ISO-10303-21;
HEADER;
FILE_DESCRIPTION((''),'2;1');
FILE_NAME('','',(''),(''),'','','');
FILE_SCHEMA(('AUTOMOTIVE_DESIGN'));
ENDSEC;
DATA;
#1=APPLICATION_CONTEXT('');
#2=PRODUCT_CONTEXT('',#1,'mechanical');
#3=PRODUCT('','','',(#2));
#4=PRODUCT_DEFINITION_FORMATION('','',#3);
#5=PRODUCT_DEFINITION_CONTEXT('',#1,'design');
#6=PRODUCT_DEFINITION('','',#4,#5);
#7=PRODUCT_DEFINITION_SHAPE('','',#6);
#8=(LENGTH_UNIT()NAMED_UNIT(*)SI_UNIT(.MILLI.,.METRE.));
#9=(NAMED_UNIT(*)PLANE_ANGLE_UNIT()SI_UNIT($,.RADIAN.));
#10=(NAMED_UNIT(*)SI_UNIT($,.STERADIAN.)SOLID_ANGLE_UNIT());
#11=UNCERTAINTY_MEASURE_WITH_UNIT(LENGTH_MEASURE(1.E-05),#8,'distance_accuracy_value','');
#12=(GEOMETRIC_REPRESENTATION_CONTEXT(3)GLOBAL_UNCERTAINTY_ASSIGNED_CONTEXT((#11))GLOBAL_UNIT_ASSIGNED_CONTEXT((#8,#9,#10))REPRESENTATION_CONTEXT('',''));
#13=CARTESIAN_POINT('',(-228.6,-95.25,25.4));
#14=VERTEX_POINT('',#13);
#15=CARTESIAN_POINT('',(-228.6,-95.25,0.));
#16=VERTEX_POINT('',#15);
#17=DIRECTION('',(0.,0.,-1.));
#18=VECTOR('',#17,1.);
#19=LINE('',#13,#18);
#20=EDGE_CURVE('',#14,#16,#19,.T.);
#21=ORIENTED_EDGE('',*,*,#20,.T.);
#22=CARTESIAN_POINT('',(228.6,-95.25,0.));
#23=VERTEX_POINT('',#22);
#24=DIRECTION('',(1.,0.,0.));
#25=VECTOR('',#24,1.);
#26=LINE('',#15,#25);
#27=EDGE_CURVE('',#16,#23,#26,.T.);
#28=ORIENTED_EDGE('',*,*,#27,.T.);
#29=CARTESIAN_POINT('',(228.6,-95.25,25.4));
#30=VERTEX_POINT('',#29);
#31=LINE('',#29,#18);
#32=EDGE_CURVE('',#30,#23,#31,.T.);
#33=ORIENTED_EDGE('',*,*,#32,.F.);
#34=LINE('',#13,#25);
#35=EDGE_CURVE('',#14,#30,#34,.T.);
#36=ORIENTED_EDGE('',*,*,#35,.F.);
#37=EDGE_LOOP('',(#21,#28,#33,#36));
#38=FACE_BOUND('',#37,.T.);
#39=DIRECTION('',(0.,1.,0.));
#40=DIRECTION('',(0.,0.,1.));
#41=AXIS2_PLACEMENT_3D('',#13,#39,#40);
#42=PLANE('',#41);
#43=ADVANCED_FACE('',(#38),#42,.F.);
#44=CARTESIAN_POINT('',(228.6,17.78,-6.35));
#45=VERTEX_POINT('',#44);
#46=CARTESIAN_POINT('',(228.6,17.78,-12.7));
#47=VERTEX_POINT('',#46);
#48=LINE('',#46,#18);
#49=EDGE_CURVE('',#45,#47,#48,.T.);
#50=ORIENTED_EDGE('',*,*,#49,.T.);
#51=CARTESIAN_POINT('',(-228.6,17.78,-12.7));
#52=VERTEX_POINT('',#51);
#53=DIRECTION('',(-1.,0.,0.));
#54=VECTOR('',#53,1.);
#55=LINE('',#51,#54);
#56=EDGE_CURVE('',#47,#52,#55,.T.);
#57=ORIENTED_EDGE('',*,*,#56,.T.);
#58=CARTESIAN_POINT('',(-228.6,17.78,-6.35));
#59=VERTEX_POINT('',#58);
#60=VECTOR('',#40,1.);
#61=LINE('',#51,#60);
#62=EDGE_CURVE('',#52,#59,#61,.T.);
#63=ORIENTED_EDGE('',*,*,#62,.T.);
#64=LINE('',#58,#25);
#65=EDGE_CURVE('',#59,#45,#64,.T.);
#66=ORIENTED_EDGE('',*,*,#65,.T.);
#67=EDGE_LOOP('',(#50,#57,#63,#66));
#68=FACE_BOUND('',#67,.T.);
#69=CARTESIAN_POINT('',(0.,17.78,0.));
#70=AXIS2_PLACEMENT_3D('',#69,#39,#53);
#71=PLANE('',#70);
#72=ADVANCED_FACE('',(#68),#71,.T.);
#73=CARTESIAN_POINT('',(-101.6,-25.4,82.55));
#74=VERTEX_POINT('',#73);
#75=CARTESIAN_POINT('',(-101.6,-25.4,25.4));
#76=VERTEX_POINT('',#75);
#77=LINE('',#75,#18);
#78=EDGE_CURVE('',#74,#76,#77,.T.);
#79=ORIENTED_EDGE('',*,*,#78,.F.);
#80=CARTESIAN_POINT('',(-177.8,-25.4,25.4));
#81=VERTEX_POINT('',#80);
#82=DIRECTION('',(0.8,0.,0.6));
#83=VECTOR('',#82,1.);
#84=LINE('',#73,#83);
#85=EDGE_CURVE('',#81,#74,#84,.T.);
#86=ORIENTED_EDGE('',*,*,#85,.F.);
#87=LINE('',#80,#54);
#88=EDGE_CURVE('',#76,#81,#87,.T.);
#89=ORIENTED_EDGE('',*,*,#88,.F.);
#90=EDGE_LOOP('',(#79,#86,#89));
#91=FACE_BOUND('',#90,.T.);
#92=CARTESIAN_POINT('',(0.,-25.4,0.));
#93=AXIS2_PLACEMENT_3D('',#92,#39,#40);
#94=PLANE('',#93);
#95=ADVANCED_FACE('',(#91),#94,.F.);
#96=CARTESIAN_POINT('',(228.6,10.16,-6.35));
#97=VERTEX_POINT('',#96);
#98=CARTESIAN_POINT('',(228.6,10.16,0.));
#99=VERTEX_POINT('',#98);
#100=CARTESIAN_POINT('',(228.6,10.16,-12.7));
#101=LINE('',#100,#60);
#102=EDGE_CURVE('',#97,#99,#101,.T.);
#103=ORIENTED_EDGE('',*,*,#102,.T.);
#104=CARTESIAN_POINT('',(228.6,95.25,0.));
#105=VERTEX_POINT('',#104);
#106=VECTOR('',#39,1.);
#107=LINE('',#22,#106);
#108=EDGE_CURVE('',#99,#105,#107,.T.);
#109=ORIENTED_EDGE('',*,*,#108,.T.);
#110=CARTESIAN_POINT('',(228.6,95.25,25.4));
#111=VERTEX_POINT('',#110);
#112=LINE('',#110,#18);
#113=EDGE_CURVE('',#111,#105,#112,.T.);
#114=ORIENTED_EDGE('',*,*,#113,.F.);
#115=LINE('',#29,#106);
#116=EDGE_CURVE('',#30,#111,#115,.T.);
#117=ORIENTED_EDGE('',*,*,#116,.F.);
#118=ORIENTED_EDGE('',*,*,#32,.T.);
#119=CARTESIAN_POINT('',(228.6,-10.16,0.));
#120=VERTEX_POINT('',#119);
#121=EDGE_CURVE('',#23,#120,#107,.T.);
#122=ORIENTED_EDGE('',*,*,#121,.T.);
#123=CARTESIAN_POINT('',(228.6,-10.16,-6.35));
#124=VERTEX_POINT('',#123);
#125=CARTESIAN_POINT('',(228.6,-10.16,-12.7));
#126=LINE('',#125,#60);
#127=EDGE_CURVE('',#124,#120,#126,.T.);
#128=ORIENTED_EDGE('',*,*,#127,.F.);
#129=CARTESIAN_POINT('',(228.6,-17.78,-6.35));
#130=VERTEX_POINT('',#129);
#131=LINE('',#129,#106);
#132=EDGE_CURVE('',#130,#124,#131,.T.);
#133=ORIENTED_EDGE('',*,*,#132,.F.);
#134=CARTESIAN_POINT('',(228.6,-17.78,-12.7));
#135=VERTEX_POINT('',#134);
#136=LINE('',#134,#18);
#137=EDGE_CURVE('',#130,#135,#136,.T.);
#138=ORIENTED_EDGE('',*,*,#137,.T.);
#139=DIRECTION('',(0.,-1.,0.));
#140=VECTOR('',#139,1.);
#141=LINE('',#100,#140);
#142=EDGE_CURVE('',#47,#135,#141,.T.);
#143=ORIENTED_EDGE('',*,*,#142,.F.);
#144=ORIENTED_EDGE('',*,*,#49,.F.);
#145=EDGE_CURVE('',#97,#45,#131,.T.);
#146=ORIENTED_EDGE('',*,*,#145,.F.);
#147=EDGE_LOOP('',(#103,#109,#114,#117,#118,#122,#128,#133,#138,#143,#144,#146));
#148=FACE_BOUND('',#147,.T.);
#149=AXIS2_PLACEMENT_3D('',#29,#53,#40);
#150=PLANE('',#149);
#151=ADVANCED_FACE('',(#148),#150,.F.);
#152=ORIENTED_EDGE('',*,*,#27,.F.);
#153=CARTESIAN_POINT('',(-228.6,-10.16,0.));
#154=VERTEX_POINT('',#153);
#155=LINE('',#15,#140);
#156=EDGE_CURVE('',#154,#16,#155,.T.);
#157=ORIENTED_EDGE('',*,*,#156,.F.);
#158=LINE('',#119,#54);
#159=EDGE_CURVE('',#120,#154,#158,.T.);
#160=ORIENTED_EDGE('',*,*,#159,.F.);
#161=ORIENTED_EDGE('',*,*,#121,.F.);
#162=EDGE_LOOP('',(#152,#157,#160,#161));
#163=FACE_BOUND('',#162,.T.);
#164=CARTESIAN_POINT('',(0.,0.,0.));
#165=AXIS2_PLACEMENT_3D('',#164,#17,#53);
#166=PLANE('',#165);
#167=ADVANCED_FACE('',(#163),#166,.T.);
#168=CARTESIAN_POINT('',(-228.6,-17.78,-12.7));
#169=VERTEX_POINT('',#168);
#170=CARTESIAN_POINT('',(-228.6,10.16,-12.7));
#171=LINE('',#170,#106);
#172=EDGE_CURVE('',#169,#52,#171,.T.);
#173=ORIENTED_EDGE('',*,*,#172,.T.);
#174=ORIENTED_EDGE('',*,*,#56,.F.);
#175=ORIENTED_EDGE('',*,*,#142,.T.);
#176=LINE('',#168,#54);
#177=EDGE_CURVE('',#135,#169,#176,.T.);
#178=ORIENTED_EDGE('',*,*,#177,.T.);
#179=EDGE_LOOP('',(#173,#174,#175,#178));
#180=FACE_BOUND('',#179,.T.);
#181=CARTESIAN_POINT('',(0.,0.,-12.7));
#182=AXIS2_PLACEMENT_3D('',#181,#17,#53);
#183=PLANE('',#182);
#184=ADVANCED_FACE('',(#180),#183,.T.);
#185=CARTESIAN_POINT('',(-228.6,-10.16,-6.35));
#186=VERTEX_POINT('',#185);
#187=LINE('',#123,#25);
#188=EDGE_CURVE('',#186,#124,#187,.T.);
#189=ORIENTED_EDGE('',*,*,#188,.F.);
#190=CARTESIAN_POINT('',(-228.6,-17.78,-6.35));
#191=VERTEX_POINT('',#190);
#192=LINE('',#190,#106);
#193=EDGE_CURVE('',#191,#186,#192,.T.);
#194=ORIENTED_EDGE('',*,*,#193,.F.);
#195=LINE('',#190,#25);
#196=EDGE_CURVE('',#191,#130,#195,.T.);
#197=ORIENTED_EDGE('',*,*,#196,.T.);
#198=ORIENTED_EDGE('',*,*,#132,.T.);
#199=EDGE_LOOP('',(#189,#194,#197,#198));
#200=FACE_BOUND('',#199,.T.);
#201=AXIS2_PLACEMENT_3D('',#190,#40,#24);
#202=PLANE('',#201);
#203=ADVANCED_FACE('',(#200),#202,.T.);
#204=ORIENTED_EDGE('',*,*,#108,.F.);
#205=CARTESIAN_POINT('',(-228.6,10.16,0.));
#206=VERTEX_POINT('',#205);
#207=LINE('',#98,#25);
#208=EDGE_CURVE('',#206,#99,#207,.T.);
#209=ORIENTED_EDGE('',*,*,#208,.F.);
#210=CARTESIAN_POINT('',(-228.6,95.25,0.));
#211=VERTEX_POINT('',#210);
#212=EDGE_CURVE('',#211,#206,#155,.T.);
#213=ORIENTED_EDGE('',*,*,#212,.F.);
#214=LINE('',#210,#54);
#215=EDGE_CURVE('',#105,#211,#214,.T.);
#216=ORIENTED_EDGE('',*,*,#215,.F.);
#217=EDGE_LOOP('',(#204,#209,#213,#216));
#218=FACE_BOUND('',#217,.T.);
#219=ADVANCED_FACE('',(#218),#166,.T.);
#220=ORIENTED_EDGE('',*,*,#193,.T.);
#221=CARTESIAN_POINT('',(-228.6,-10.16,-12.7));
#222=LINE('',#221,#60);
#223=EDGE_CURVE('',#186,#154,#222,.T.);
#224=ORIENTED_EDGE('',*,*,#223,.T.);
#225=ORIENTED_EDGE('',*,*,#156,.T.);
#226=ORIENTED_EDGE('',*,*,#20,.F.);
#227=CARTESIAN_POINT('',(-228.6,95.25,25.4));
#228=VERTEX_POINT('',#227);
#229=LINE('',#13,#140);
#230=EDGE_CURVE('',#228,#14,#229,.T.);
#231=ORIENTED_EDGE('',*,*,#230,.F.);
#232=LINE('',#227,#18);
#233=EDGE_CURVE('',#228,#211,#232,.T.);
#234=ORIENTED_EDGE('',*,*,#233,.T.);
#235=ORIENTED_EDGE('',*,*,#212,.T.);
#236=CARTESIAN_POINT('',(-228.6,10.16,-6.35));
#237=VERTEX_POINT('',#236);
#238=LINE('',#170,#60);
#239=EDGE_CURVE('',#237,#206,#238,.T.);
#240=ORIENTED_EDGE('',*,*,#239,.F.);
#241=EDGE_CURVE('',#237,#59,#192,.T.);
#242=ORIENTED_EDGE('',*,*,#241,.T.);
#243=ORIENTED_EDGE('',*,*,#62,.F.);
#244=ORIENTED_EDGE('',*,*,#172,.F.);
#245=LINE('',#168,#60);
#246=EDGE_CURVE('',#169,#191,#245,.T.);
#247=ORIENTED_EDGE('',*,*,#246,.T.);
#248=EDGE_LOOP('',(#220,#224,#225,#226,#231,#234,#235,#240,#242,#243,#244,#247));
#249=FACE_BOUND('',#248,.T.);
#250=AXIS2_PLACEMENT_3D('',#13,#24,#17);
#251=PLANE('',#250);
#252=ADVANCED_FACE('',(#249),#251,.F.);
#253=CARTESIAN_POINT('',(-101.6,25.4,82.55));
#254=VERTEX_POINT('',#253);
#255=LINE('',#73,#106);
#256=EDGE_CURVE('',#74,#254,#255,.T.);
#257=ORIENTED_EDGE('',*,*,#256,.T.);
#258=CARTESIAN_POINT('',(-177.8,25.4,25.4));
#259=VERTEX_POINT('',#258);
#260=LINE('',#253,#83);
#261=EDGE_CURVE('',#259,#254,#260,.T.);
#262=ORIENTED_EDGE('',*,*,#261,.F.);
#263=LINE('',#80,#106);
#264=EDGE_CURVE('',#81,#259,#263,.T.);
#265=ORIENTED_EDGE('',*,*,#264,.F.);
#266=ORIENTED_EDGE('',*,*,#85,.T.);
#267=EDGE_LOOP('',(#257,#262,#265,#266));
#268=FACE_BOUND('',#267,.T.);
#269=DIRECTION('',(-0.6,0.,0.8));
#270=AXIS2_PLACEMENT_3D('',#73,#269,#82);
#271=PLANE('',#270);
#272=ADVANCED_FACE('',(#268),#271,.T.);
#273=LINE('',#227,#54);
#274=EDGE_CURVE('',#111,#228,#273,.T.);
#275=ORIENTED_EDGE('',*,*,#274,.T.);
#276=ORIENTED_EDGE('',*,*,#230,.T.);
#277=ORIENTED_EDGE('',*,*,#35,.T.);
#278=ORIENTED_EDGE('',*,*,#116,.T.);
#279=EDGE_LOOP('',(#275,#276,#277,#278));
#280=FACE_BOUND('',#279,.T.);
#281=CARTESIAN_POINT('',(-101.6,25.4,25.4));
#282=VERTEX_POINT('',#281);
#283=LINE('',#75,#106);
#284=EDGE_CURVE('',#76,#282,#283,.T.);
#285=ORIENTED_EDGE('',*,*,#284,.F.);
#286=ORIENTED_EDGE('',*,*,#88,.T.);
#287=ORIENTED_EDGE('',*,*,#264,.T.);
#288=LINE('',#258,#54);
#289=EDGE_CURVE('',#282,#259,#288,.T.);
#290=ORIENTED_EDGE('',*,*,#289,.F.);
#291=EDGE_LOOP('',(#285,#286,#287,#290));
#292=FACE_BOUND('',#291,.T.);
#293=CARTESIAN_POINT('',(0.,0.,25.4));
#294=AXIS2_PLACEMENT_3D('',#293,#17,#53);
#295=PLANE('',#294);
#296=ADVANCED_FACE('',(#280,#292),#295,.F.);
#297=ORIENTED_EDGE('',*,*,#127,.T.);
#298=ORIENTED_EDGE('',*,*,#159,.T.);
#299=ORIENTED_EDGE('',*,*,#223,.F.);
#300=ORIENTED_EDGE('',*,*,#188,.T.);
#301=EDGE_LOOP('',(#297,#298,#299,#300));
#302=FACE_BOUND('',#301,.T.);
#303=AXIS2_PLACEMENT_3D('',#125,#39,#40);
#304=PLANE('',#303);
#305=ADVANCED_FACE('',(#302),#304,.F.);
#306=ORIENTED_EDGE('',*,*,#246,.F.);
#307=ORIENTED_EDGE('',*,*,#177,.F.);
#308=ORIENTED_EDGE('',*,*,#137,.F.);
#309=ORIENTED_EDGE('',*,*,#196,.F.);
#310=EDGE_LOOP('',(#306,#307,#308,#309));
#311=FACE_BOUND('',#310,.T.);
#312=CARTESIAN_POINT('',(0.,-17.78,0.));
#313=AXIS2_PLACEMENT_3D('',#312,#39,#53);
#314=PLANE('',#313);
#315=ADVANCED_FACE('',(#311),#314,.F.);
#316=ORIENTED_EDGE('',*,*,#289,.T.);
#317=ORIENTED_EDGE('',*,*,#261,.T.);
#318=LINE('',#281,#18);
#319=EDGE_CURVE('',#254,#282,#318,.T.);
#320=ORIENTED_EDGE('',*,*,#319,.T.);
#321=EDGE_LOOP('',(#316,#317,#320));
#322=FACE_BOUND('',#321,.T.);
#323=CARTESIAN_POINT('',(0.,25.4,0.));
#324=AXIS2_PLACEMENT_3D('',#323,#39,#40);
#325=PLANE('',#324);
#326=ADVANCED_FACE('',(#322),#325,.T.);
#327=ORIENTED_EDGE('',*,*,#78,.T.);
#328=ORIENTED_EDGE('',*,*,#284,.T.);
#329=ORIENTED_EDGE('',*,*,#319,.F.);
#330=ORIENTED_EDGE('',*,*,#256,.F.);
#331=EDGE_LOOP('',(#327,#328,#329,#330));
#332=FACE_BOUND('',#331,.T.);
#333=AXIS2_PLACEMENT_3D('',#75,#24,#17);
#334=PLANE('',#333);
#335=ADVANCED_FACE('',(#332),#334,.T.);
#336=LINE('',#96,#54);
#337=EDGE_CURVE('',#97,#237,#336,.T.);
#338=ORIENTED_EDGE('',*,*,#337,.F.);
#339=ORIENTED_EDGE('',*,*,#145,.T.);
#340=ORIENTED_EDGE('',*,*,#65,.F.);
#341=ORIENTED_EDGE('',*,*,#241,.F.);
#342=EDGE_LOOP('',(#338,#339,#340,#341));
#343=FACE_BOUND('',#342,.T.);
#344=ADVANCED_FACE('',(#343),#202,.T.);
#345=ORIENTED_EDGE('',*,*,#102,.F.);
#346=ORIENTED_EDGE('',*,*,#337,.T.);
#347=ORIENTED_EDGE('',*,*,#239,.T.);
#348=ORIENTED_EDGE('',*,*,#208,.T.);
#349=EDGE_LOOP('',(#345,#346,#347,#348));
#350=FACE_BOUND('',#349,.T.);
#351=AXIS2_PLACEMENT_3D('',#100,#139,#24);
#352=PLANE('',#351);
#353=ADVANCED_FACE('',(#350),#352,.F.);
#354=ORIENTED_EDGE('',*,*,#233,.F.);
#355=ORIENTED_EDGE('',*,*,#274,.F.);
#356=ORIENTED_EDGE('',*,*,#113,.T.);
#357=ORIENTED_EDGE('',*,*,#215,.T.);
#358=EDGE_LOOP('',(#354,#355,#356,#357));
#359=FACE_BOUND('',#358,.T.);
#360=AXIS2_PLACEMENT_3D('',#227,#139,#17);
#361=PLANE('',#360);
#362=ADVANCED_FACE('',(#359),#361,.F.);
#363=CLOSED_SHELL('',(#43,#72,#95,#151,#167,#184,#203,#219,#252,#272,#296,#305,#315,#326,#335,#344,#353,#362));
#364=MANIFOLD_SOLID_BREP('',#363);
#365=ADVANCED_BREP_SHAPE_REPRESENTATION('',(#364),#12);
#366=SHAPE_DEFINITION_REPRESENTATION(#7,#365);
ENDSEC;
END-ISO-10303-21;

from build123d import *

# Parameters (mm, degrees)
SKETCH1_W                = 457.2
SKETCH1_H                = 190.5
BOSS_EXTRUDE1_DEPTH      = 25.4
SKETCH2_W                = 457.2
SKETCH2_H                = 20.32
BOSS_EXTRUDE2_DEPTH      = 12.7
BOSS_EXTRUDE3_DEPTH      = 7.62
BOSS_EXTRUDE3_DEPTH_BACK = 27.94
SKETCH3_W                = 457.2
SKETCH3_H                = 6.35
BOSS_EXTRUDE5_DEPTH      = 25.4
BOSS_EXTRUDE5_DEPTH_BACK = 25.4


with BuildPart() as part:
    # Sketch1 → Boss-Extrude1 (new body)
    with BuildSketch(Plane.XY):
        Rectangle(SKETCH1_W, SKETCH1_H)
    extrude(amount=BOSS_EXTRUDE1_DEPTH)

    # Sketch2 → Boss-Extrude2 (add)
    with BuildSketch(Plane(origin=(0, 0, 0), x_dir=(-1, 0, 0), z_dir=(0, 0, -1))):
        Rectangle(SKETCH2_W, SKETCH2_H)
    extrude(amount=BOSS_EXTRUDE2_DEPTH)

    # Sketch3 → Boss-Extrude3 (add, two sides: drawn at the far end of the back side and taken through both)
    with BuildSketch(Plane(origin=(0, 10.16, 0), x_dir=(1, 0, 0), z_dir=(0, 1, 0)).offset(-BOSS_EXTRUDE3_DEPTH_BACK)):
        with Locations((0, 9.525)):
            Rectangle(SKETCH3_W, SKETCH3_H)
    extrude(amount=BOSS_EXTRUDE3_DEPTH + BOSS_EXTRUDE3_DEPTH_BACK)

    # Sketch5 → Boss-Extrude5 (add, two sides: drawn at the far end of the back side and taken through both)
    with BuildSketch(Plane(origin=(0, 0, 0), x_dir=(1, 0, 0), z_dir=(0, 1, 0)).offset(-BOSS_EXTRUDE5_DEPTH_BACK)):
        Polygon((-177.8, -25.4), (-101.6, -25.4), (-101.6, -82.55), align=None)
    extrude(amount=BOSS_EXTRUDE5_DEPTH + BOSS_EXTRUDE5_DEPTH_BACK)


solid = part.part
